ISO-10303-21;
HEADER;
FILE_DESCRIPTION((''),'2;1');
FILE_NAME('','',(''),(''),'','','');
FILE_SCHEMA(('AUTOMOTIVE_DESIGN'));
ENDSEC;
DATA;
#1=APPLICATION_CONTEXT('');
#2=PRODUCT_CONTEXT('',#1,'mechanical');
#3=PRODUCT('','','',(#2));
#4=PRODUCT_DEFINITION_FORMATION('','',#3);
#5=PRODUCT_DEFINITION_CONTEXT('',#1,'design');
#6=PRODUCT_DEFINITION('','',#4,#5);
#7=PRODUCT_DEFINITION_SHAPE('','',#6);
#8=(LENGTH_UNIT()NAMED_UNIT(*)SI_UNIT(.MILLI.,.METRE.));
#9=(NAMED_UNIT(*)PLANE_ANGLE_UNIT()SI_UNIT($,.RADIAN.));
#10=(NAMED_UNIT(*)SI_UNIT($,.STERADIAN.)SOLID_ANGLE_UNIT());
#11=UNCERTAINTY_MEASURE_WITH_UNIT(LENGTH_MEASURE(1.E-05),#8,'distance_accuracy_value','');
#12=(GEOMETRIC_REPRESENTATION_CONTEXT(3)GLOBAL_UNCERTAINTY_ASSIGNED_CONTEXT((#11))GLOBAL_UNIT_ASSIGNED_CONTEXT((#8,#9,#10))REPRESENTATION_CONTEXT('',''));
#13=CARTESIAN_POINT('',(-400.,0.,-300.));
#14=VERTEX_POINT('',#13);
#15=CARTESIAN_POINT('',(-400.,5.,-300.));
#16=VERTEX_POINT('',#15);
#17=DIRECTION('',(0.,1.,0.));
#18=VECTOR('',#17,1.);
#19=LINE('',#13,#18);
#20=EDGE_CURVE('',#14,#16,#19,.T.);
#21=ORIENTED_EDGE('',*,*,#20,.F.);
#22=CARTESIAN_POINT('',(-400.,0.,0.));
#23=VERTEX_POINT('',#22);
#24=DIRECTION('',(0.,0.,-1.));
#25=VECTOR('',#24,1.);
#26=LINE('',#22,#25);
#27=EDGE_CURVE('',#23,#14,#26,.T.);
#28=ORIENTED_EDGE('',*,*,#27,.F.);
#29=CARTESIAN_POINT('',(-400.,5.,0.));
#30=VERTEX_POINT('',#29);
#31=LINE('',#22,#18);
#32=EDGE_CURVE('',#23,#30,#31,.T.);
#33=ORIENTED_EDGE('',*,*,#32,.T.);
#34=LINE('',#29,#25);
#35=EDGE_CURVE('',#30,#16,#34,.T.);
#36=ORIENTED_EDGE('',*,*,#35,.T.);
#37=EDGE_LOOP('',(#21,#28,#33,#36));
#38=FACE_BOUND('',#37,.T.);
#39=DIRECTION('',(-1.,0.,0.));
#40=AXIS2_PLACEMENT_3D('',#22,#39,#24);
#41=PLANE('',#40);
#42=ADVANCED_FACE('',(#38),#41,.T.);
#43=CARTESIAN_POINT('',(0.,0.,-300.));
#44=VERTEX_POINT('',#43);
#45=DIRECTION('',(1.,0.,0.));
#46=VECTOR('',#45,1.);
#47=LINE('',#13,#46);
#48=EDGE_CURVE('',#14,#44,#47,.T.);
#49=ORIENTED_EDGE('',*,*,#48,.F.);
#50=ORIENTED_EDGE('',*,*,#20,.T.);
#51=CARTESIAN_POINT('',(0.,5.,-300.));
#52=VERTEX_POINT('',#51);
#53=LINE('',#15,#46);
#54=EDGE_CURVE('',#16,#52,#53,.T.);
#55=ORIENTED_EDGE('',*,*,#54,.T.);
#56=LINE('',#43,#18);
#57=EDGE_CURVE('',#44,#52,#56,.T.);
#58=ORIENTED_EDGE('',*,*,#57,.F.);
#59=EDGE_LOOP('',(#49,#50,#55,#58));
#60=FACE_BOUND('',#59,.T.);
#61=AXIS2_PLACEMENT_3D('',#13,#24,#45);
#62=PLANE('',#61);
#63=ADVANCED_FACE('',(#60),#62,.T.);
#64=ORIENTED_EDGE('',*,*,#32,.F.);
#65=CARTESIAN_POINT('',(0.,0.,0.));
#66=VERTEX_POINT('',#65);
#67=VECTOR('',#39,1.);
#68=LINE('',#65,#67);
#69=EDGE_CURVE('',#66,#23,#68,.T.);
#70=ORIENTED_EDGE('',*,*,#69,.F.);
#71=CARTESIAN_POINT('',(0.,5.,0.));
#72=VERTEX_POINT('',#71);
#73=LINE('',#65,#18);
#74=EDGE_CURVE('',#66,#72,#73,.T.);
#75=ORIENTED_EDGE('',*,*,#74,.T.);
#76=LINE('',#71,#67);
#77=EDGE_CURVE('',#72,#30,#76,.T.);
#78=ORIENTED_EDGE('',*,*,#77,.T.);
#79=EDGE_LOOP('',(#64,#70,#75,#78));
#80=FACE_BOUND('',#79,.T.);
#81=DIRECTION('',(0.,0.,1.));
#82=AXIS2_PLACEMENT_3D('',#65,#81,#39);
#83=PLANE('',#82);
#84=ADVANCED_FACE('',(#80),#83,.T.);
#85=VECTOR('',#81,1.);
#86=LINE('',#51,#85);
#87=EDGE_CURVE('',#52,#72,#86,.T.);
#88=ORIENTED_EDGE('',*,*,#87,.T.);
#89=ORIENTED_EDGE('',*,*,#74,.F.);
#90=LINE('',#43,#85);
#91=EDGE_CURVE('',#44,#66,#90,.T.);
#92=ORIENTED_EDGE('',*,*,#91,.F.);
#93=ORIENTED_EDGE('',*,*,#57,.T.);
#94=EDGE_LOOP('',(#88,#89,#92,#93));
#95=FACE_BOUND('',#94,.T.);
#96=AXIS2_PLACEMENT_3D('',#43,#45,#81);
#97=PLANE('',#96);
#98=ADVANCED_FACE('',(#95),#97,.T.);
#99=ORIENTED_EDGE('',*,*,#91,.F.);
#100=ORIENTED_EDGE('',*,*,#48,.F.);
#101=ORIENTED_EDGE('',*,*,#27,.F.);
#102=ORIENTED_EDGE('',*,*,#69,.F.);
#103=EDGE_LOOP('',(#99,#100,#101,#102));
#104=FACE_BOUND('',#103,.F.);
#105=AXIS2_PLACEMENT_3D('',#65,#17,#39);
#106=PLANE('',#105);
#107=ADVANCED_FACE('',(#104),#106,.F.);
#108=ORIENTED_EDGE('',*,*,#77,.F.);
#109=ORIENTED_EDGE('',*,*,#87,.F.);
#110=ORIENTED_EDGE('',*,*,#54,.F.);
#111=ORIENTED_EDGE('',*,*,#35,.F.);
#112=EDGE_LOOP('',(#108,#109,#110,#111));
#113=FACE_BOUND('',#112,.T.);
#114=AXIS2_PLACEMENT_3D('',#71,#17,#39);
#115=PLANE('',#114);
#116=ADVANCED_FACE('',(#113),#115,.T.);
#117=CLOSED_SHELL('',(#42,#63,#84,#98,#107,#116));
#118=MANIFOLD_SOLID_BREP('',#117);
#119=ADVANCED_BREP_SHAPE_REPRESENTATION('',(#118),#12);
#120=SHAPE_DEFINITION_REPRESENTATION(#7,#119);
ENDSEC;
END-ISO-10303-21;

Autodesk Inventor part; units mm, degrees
ref_plane "YZ Plane" through (0, 0, 0) normal (1, 0, 0) x (0, 1, 0)
ref_plane "XZ Plane" through (0, 0, 0) normal (0, 1, 0) x (-1, 0, 0)
ref_plane "XY Plane" through (0, 0, 0) normal (0, 0, 1) x (1, 0, 0)
sketch "Sketch1" plane through (0, 0, 0) normal (0, 1, 0) x (-1, 0, 0)
  line L0 (0, 0) -> (400, 0)
  line L1 (400, 0) -> (400, -300)
  line L2 (400, -300) -> (0, -300)
  line L3 (0, -300) -> (0, 0)
  dimension "d0" = 400
  dimension "d1" = 300
extrude "Extrusion2" add sketch "Sketch1" along normal blind 5
